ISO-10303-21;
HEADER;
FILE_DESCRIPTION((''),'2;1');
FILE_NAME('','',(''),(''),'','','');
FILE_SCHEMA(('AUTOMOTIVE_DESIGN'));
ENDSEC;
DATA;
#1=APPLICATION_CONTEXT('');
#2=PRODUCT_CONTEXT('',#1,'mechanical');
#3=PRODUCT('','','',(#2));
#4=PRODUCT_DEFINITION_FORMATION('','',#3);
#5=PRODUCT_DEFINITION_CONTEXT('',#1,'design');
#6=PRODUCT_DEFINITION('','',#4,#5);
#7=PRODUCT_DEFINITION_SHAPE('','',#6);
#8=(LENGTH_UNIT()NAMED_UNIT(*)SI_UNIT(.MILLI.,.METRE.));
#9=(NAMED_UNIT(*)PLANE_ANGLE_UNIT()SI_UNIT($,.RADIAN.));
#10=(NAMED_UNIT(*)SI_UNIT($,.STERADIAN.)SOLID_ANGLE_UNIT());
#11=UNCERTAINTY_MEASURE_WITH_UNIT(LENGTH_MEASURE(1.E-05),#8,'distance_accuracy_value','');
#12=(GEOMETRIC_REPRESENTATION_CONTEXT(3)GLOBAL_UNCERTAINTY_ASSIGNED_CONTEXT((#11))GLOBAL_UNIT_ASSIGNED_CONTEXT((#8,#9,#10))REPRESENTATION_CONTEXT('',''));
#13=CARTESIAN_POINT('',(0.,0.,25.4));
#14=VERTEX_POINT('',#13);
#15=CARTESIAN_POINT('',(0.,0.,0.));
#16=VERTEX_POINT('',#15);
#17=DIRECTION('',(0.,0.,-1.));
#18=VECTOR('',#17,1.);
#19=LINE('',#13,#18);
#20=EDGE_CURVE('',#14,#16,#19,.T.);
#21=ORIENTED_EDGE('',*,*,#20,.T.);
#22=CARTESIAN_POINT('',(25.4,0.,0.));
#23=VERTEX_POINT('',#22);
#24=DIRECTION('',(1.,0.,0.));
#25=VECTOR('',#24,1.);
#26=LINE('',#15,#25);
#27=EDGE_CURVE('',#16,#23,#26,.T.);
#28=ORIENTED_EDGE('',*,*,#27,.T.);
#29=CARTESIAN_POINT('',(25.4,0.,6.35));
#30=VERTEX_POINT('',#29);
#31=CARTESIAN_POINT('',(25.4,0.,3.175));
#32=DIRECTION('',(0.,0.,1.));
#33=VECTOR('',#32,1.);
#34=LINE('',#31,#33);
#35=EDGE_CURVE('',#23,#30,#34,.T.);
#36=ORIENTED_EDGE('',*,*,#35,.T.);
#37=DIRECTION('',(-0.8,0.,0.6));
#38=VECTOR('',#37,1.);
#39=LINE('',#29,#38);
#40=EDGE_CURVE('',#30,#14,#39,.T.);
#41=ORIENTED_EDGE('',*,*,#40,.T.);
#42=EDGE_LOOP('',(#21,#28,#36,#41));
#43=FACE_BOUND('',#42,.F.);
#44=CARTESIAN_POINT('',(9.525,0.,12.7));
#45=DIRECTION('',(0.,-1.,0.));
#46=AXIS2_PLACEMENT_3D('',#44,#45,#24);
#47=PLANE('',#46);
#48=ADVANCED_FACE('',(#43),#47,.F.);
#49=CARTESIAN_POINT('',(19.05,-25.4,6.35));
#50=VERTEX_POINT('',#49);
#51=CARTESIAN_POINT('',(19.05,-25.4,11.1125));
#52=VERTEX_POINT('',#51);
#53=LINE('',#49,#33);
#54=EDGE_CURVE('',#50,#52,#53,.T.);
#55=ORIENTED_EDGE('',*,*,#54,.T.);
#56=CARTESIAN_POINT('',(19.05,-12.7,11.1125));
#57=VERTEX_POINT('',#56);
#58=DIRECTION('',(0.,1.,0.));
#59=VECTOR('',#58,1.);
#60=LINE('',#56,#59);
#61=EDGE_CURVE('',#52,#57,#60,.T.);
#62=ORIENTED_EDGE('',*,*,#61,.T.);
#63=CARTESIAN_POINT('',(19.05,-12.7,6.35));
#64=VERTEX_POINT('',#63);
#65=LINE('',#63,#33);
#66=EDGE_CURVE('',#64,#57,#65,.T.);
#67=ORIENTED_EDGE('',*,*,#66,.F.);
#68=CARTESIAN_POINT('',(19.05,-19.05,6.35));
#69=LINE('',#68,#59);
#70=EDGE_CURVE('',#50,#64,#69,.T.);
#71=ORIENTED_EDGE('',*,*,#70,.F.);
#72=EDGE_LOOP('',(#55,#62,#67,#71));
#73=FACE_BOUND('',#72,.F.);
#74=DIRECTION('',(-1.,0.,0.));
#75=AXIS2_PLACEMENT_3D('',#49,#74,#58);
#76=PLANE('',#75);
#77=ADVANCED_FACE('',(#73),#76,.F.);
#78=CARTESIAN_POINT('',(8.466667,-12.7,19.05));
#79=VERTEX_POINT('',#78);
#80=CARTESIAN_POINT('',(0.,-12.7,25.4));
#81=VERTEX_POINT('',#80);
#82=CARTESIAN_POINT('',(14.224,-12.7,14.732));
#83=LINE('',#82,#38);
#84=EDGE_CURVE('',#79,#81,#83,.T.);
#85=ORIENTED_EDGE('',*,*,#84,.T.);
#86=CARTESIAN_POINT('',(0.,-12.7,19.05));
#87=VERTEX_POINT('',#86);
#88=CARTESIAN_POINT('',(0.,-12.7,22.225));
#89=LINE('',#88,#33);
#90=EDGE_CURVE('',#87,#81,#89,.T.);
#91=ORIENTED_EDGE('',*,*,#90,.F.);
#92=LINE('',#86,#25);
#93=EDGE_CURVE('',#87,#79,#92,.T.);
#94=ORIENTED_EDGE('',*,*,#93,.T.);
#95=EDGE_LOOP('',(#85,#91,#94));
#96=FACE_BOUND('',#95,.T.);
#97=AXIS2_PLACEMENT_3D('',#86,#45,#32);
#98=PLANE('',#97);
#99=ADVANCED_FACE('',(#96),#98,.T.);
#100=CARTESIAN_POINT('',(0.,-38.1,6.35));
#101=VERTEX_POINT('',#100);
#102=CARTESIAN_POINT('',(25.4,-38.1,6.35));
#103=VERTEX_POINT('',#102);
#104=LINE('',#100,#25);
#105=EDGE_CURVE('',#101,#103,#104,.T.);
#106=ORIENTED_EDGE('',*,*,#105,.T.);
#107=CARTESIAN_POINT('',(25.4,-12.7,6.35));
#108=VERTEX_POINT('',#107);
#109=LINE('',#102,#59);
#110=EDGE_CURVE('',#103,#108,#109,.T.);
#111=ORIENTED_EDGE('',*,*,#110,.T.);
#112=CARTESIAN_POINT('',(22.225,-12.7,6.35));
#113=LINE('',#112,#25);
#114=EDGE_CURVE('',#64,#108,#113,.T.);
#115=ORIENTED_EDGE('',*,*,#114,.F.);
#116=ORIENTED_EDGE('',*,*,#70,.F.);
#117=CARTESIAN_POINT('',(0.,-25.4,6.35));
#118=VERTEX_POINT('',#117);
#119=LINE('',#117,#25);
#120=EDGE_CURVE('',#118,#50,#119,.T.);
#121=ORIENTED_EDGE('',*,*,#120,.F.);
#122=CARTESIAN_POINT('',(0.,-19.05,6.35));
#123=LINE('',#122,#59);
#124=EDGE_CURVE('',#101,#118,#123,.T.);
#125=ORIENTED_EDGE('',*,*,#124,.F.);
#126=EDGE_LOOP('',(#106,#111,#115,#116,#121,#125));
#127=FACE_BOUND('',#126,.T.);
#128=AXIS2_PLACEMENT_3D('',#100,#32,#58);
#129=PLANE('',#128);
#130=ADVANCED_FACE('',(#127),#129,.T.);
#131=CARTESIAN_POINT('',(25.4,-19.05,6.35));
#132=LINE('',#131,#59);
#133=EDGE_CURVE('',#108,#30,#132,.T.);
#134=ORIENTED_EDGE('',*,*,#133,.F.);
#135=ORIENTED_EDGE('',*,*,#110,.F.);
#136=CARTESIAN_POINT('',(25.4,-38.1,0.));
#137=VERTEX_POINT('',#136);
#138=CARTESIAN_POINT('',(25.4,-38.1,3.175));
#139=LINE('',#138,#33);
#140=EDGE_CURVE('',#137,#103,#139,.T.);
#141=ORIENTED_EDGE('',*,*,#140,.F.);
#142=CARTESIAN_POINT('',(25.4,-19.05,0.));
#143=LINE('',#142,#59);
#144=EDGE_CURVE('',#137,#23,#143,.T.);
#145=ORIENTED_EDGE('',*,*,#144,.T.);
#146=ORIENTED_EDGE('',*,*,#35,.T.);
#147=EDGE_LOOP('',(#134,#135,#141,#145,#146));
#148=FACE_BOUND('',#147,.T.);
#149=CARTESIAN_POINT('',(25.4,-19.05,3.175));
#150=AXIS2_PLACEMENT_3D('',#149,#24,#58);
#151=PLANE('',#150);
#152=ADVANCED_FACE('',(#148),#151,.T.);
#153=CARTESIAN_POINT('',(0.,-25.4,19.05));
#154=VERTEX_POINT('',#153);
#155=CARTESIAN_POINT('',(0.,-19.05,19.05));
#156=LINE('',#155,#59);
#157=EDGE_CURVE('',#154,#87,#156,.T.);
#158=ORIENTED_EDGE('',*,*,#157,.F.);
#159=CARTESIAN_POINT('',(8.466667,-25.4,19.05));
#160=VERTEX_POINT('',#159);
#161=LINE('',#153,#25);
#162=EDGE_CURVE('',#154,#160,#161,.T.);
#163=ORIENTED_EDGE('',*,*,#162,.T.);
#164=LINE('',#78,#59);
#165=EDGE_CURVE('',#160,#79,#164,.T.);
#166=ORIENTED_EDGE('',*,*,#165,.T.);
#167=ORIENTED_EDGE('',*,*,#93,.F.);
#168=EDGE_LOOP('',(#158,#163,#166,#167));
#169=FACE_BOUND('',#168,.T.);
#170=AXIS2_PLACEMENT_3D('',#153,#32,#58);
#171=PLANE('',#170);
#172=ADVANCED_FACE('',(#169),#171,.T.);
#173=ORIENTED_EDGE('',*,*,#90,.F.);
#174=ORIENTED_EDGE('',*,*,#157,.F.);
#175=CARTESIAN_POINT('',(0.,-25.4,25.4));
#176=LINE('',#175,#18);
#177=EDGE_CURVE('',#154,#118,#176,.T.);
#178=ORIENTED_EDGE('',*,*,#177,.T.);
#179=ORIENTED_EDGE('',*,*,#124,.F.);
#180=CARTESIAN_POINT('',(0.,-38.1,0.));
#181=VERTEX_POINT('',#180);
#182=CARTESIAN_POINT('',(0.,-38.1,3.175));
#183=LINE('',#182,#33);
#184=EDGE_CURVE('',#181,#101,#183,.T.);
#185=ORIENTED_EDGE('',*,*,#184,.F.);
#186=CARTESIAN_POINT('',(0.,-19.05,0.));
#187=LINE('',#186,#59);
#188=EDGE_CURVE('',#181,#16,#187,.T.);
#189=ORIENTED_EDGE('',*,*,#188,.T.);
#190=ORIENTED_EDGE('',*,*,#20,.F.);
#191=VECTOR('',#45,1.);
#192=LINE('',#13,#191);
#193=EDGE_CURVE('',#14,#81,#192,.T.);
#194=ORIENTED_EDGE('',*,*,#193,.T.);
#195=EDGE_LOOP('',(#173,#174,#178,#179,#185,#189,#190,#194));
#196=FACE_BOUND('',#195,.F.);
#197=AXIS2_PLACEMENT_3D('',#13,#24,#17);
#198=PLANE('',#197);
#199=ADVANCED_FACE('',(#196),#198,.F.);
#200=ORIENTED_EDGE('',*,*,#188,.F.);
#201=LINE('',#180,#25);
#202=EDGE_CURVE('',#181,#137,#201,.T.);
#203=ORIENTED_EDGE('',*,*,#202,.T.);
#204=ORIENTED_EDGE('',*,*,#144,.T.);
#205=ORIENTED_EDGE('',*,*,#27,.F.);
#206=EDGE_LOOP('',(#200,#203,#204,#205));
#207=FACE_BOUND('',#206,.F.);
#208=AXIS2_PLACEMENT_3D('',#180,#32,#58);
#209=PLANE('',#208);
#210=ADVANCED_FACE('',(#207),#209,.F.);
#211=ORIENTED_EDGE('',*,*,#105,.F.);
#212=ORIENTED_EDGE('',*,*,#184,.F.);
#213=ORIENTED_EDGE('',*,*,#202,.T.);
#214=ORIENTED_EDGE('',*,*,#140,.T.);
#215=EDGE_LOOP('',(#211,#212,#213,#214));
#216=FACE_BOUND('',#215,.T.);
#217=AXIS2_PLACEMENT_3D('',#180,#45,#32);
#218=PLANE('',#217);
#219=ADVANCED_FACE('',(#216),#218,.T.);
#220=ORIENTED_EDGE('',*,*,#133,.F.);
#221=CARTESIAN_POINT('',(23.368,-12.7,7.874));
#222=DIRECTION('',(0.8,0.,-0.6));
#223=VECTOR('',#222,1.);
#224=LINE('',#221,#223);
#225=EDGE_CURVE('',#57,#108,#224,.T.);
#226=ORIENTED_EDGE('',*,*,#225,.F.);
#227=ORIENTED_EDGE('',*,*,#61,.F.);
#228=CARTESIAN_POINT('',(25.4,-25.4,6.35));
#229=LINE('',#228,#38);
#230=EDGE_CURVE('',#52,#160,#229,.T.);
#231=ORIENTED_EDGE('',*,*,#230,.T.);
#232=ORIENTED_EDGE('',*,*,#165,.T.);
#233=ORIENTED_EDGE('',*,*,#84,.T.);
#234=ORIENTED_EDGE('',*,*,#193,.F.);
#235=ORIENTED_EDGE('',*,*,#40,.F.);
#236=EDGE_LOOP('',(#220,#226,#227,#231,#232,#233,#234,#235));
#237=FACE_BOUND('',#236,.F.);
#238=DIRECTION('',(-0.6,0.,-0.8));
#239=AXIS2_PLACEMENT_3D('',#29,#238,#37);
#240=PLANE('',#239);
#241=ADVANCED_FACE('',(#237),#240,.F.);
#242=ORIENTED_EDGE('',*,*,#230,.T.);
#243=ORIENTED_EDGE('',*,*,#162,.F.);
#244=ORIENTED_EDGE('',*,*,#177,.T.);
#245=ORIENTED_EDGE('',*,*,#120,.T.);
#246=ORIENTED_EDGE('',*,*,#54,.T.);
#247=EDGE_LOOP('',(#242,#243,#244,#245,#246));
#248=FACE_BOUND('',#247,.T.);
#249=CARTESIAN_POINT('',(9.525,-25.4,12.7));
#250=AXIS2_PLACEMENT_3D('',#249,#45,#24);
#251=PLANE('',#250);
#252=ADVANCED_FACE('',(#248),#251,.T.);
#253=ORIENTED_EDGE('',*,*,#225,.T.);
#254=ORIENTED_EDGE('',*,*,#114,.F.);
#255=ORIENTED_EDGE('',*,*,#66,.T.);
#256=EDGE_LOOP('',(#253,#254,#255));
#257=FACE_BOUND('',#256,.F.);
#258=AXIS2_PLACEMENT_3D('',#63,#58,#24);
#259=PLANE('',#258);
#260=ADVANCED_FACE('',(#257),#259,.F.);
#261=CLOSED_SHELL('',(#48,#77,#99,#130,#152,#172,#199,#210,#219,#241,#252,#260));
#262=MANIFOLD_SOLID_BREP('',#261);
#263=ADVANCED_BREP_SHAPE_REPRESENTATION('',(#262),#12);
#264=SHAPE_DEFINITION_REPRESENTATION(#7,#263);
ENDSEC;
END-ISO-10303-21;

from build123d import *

# Parameters (mm, degrees)
F0_W     = 38.1
F0_H     = 6.35
F1_DEPTH = 25.4
F3_DEPTH = 25.4
F4_W     = 12.7
F4_H     = 6.35
F5_DEPTH = 25.401
F6_W     = 6.35
F6_H     = 12.7
F7_DEPTH = 19.051


with BuildPart() as f1:
    # F0 (on Right) → F1 (new body)
    with BuildSketch(Plane.YZ):
        with Locations((-19.05, 3.175)):
            Rectangle(F0_W, F0_H)
    extrude(amount=F1_DEPTH)

    # F2 (on Front) → F3 (join)
    with BuildSketch(Plane.XZ):
        Polygon((0, 25.4), (0, 6.35), (25.4, 6.35), align=None)
    extrude(amount=F3_DEPTH)

    # F4 (on Right) → F5 (cut, through all)
    with BuildSketch(Plane.YZ):
        with Locations((-19.05, 22.225)):
            Rectangle(F4_W, F4_H)
    extrude(amount=F5_DEPTH, mode=Mode.SUBTRACT)

    # F6 (on face) → F7 (cut, through all)
    with BuildSketch(Plane.XY.offset(6.35)):
        with Locations((22.225, -19.05)):
            Rectangle(F6_W, F6_H)
    extrude(amount=F7_DEPTH, mode=Mode.SUBTRACT)


solid = f1.part
